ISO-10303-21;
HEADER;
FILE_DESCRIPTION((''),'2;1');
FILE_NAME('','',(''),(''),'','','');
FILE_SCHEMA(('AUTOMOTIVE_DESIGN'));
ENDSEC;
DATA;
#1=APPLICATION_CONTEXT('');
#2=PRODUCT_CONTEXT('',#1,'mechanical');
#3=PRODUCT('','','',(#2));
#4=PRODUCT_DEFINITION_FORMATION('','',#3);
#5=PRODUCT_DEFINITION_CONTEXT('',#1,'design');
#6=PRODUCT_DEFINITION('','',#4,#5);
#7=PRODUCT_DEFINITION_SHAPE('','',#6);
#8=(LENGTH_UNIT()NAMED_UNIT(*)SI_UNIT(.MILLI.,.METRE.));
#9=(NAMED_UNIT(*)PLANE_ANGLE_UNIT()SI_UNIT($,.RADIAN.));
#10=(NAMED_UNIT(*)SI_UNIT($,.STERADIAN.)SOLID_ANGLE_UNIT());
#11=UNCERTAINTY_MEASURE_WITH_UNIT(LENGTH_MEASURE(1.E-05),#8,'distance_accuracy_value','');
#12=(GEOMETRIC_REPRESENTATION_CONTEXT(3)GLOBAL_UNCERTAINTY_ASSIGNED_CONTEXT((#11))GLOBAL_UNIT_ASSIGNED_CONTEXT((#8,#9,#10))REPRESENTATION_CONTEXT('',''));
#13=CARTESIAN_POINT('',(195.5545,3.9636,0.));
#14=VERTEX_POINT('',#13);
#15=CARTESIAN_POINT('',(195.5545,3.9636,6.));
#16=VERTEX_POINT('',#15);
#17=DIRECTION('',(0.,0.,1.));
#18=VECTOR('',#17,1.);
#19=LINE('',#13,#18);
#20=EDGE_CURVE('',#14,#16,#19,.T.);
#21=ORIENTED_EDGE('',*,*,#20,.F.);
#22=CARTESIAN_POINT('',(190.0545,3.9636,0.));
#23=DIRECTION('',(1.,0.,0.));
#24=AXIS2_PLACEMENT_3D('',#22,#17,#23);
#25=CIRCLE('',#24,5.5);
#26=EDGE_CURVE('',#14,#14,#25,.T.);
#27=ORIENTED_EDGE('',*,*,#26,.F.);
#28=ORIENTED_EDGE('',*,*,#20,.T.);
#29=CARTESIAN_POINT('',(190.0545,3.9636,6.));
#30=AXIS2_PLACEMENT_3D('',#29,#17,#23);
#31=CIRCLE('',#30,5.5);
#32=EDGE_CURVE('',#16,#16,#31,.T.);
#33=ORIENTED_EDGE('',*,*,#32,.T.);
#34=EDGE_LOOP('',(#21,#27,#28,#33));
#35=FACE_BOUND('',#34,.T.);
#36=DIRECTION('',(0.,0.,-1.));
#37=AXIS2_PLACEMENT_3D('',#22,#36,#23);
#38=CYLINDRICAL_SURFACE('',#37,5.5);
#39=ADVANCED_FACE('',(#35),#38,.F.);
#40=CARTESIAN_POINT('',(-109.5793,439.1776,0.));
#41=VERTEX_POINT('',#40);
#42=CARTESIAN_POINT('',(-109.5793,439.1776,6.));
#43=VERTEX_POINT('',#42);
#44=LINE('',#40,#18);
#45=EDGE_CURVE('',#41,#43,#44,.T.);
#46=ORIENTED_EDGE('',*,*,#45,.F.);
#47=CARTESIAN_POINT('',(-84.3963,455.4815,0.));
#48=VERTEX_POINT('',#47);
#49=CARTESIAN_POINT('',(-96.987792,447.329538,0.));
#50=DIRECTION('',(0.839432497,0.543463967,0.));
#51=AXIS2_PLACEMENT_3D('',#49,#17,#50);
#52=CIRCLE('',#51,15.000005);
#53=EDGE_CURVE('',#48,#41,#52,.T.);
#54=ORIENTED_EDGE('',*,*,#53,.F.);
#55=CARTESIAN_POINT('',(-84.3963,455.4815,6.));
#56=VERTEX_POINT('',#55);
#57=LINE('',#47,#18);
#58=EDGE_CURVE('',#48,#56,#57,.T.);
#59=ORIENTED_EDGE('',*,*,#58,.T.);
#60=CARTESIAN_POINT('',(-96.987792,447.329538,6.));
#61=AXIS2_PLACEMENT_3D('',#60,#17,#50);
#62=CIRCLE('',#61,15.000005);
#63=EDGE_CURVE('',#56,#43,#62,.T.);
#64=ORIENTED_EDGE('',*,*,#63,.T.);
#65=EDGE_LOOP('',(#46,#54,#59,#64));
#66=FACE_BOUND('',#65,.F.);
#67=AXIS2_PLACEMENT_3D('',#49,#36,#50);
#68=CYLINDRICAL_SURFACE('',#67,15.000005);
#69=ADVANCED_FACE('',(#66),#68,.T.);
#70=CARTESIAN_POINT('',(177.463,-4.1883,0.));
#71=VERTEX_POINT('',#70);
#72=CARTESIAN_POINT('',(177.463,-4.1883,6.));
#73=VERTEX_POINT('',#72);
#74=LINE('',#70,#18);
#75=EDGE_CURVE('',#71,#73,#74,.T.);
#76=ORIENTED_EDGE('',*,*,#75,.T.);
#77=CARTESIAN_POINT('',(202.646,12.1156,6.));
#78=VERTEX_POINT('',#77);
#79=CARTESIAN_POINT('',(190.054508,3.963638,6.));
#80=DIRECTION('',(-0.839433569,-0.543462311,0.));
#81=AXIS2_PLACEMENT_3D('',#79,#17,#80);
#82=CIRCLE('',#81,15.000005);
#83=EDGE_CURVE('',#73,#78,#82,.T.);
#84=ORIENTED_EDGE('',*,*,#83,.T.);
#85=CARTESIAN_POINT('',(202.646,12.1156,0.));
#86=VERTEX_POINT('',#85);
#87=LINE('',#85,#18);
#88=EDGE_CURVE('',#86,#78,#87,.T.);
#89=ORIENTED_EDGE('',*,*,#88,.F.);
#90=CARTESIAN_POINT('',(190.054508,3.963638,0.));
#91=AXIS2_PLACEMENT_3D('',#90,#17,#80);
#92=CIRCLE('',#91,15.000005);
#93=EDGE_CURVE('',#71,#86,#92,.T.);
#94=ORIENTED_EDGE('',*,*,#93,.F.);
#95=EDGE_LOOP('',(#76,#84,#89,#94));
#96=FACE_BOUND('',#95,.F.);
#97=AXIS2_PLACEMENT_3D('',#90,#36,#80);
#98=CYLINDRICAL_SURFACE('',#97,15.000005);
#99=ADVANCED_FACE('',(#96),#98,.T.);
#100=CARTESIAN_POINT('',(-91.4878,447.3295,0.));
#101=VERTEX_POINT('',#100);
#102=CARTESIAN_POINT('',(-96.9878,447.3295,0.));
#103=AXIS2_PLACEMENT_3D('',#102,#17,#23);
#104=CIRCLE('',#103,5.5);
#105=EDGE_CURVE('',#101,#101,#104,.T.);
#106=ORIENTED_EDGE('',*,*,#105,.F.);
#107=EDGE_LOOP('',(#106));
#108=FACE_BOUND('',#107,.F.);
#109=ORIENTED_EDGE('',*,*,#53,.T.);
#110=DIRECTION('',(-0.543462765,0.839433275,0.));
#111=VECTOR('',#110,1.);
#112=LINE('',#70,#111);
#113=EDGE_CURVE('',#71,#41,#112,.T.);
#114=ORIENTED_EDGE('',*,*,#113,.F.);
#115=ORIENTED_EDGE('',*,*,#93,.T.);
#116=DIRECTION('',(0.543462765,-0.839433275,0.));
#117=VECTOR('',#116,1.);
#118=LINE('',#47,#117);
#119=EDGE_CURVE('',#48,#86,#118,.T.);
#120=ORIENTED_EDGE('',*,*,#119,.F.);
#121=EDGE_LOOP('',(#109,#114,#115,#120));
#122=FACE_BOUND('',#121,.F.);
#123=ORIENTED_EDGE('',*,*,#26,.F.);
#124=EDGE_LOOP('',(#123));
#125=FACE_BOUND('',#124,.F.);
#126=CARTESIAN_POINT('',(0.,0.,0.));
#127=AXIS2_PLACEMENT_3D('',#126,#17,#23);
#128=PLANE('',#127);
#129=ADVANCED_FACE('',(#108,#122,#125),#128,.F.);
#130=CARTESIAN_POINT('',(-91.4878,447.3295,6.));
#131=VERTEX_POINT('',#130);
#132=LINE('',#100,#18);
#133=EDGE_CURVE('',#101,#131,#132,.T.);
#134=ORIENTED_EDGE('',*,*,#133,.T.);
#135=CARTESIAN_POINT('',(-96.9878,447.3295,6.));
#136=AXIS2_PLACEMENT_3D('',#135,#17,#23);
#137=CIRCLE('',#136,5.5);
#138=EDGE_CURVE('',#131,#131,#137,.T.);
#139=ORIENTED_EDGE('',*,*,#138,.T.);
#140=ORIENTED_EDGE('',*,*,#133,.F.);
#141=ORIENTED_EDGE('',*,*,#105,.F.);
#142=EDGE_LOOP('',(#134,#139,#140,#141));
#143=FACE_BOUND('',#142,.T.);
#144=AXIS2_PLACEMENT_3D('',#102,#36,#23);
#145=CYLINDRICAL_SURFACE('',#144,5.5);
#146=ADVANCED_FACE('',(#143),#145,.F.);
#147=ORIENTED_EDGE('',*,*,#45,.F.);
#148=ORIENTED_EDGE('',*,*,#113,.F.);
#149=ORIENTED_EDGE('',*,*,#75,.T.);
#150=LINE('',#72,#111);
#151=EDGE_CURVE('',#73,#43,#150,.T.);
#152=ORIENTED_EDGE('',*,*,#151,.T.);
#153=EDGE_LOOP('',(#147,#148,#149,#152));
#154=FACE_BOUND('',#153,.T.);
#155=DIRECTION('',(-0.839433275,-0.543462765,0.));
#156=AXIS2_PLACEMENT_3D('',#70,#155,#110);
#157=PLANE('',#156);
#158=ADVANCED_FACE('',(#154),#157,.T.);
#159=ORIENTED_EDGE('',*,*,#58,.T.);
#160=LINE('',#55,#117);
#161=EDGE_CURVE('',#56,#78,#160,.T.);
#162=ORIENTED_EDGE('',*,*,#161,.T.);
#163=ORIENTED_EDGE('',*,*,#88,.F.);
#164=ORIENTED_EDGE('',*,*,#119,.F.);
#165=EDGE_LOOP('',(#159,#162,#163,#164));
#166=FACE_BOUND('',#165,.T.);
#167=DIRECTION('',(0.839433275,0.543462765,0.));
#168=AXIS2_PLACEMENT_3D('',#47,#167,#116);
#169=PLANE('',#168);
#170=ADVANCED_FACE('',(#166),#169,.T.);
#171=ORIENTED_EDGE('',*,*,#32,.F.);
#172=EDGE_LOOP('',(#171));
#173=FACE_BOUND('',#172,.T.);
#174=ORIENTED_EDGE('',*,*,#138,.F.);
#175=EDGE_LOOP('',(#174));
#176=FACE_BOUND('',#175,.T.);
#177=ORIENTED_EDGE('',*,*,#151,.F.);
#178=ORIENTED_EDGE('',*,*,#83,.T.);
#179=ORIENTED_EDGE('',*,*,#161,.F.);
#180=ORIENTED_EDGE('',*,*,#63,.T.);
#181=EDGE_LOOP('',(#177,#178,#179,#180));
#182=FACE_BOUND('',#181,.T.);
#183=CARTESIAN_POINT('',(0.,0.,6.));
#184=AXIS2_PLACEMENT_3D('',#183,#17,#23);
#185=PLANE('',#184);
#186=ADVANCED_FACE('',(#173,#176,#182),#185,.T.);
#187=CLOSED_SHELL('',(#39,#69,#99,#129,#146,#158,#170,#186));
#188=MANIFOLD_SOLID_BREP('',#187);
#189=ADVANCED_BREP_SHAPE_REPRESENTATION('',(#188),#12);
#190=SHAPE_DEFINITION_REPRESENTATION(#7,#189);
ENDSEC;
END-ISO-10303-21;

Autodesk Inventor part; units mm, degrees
ref_plane "YZ Plane" through (0, 0, 0) normal (1, 0, 0) x (0, 1, 0)
ref_plane "XZ Plane" through (0, 0, 0) normal (0, 1, 0) x (-1, 0, 0)
ref_plane "XY Plane" through (0, 0, 0) normal (0, 0, 1) x (1, 0, 0)
sketch "Sketch1" plane through (0, 0, 0) normal (0, 0, 1) x (1, 0, 0)
  circle A0 centre (190.0545, 3.9636) radius 5.5 projected
  circle A1 centre (-96.9878, 447.3295) radius 5.5 projected
  arc A2 (177.463, -4.1883) -> (202.646, 12.1156) centre (190.0545, 3.9636) ccw
  arc A3 (-84.3963, 455.4815) -> (-109.5793, 439.1776) centre (-96.9878, 447.3295) ccw
  line L0 (-84.3963, 455.4815) -> (202.646, 12.1156)
  line L1 (177.463, -4.1883) -> (-109.5793, 439.1776)
  circle A4 centre (190.0545, 3.9636) radius 5.5
  circle A5 centre (-96.9878, 447.3295) radius 5.5
  point P0 (0, 0)
  dimension "d2" = 30
  dimension "d3" = 30
  dimension "d4" = 11
  dimension "d5" = 11
extrude "Extrusion2" add sketch "Sketch1" along normal blind 6
properties material "Steel, Mild"
